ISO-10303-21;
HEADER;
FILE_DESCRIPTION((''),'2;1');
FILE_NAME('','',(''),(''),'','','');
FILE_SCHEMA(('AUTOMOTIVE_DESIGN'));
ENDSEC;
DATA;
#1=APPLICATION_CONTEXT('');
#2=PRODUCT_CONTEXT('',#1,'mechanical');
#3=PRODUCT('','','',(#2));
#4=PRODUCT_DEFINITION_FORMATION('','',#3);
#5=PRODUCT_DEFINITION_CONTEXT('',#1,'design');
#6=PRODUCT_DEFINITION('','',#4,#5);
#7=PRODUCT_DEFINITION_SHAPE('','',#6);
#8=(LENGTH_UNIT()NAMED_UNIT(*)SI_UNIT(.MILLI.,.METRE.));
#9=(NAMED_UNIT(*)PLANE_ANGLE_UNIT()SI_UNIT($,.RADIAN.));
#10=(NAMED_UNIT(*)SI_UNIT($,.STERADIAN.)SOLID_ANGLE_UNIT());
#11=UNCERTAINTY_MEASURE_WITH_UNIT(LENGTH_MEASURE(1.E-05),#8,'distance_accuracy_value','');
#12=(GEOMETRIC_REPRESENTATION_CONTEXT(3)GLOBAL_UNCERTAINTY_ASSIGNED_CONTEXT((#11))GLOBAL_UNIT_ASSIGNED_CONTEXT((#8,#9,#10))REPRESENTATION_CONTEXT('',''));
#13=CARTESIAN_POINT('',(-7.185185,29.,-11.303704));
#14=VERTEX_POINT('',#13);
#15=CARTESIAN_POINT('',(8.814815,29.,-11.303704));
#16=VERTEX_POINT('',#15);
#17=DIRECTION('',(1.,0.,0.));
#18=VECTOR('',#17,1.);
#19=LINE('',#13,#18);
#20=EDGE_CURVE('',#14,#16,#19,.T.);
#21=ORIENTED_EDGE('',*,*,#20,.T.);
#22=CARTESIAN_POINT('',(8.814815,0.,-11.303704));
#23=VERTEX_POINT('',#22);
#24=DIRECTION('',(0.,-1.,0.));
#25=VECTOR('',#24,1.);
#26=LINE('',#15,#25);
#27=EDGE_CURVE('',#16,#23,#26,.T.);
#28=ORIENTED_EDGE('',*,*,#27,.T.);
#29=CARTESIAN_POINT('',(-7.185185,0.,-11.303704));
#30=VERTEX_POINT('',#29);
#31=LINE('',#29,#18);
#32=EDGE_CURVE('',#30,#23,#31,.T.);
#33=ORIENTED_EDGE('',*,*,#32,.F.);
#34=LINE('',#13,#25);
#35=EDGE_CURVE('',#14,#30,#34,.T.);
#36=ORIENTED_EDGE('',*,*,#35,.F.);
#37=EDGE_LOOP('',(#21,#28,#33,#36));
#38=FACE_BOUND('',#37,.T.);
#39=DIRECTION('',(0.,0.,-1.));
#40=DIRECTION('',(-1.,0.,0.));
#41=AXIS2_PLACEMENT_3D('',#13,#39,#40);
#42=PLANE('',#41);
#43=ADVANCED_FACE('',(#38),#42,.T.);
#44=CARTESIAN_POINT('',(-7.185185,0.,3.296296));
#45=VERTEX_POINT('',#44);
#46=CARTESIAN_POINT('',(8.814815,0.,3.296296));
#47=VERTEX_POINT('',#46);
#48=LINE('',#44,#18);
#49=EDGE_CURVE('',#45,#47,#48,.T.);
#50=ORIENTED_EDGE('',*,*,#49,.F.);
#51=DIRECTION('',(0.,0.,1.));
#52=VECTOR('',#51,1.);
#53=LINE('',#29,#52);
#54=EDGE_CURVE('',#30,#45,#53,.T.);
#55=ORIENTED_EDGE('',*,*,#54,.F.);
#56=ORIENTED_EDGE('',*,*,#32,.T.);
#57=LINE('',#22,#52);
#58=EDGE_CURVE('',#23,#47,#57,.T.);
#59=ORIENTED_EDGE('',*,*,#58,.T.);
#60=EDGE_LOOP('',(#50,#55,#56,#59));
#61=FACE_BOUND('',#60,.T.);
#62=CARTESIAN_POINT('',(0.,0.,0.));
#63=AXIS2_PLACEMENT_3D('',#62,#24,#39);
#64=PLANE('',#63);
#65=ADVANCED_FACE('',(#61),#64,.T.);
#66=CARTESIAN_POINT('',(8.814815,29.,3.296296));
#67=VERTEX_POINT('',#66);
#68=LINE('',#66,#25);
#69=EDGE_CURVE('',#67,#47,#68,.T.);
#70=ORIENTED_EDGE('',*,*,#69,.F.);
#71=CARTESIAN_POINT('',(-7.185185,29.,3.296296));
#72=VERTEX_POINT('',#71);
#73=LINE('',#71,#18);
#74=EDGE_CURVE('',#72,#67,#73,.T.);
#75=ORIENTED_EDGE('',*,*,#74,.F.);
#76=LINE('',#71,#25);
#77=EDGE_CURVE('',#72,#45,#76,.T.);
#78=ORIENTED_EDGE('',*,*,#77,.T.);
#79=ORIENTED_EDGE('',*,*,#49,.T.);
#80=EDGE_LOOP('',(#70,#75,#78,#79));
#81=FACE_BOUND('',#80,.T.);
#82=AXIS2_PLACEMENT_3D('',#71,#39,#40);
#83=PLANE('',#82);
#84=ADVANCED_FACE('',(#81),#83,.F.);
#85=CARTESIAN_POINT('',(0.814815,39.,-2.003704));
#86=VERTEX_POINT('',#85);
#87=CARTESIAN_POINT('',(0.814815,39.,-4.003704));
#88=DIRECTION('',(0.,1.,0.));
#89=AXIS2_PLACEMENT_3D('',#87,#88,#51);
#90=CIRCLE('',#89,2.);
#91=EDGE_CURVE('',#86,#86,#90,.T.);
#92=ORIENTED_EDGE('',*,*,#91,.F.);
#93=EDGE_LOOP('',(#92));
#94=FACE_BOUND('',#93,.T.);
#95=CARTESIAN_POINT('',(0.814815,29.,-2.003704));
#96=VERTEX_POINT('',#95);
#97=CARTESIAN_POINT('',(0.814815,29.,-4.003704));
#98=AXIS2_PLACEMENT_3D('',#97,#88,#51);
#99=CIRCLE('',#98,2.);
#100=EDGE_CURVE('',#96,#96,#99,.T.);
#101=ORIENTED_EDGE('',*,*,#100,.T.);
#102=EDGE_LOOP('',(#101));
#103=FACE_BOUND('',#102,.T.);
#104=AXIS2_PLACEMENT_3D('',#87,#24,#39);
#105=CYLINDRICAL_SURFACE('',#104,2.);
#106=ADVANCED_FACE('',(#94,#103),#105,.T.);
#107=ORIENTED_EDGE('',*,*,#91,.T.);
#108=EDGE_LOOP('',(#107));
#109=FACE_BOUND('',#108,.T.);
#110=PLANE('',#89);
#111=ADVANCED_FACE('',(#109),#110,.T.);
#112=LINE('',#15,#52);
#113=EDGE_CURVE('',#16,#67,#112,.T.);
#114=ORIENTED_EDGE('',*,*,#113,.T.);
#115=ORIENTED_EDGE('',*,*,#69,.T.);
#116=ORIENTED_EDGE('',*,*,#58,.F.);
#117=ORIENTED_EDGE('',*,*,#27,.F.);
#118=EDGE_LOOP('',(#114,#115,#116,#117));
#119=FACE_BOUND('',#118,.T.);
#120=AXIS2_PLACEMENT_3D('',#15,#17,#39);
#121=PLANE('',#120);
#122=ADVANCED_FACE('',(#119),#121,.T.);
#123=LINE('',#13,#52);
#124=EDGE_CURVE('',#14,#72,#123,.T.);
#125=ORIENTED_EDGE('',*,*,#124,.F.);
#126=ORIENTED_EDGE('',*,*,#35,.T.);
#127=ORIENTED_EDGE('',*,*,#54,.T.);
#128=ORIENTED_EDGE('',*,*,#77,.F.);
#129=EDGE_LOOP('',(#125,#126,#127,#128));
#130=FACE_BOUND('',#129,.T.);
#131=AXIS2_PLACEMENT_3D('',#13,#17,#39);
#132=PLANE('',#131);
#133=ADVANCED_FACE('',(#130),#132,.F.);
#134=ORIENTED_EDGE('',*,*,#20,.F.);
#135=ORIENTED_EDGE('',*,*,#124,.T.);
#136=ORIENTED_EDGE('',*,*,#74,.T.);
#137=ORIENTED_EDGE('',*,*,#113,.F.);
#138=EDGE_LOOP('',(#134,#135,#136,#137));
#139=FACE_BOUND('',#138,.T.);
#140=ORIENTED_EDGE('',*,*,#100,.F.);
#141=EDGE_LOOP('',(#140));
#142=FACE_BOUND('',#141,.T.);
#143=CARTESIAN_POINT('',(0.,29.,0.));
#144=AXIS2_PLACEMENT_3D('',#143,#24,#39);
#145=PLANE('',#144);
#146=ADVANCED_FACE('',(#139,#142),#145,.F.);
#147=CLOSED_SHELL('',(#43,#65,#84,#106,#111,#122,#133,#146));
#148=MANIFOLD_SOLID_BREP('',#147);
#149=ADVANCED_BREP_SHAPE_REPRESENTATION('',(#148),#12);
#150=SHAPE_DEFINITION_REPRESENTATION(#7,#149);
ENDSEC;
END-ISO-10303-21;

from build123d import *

# Parameters (mm, degrees)
CROQUIS1_W              = 16
CROQUIS1_H              = 14.6
SALIENTE_EXTRUIR1_DEPTH = 29
CROQUIS2_R              = 2
SALIENTE_EXTRUIR2_DEPTH = 10


with BuildPart() as part:
    # Croquis1 → Saliente-Extruir1 (new body)
    with BuildSketch(Plane(origin=(0, 0, 0), x_dir=(1, 0, 0), z_dir=(0, 1, 0))):
        with Locations((0.814814815, 4.003703704)):
            Rectangle(CROQUIS1_W, CROQUIS1_H)
    extrude(amount=SALIENTE_EXTRUIR1_DEPTH)

    # Croquis2 → Saliente-Extruir2 (add)
    with BuildSketch(Plane(origin=(0, 29, 0), x_dir=(1, 0, 0), z_dir=(0, 1, 0))):
        with Locations(Location((0.814814815, 4.003703704, 0), (0, 0, 270))):
            Circle(CROQUIS2_R)
    extrude(amount=SALIENTE_EXTRUIR2_DEPTH)


solid = part.part
